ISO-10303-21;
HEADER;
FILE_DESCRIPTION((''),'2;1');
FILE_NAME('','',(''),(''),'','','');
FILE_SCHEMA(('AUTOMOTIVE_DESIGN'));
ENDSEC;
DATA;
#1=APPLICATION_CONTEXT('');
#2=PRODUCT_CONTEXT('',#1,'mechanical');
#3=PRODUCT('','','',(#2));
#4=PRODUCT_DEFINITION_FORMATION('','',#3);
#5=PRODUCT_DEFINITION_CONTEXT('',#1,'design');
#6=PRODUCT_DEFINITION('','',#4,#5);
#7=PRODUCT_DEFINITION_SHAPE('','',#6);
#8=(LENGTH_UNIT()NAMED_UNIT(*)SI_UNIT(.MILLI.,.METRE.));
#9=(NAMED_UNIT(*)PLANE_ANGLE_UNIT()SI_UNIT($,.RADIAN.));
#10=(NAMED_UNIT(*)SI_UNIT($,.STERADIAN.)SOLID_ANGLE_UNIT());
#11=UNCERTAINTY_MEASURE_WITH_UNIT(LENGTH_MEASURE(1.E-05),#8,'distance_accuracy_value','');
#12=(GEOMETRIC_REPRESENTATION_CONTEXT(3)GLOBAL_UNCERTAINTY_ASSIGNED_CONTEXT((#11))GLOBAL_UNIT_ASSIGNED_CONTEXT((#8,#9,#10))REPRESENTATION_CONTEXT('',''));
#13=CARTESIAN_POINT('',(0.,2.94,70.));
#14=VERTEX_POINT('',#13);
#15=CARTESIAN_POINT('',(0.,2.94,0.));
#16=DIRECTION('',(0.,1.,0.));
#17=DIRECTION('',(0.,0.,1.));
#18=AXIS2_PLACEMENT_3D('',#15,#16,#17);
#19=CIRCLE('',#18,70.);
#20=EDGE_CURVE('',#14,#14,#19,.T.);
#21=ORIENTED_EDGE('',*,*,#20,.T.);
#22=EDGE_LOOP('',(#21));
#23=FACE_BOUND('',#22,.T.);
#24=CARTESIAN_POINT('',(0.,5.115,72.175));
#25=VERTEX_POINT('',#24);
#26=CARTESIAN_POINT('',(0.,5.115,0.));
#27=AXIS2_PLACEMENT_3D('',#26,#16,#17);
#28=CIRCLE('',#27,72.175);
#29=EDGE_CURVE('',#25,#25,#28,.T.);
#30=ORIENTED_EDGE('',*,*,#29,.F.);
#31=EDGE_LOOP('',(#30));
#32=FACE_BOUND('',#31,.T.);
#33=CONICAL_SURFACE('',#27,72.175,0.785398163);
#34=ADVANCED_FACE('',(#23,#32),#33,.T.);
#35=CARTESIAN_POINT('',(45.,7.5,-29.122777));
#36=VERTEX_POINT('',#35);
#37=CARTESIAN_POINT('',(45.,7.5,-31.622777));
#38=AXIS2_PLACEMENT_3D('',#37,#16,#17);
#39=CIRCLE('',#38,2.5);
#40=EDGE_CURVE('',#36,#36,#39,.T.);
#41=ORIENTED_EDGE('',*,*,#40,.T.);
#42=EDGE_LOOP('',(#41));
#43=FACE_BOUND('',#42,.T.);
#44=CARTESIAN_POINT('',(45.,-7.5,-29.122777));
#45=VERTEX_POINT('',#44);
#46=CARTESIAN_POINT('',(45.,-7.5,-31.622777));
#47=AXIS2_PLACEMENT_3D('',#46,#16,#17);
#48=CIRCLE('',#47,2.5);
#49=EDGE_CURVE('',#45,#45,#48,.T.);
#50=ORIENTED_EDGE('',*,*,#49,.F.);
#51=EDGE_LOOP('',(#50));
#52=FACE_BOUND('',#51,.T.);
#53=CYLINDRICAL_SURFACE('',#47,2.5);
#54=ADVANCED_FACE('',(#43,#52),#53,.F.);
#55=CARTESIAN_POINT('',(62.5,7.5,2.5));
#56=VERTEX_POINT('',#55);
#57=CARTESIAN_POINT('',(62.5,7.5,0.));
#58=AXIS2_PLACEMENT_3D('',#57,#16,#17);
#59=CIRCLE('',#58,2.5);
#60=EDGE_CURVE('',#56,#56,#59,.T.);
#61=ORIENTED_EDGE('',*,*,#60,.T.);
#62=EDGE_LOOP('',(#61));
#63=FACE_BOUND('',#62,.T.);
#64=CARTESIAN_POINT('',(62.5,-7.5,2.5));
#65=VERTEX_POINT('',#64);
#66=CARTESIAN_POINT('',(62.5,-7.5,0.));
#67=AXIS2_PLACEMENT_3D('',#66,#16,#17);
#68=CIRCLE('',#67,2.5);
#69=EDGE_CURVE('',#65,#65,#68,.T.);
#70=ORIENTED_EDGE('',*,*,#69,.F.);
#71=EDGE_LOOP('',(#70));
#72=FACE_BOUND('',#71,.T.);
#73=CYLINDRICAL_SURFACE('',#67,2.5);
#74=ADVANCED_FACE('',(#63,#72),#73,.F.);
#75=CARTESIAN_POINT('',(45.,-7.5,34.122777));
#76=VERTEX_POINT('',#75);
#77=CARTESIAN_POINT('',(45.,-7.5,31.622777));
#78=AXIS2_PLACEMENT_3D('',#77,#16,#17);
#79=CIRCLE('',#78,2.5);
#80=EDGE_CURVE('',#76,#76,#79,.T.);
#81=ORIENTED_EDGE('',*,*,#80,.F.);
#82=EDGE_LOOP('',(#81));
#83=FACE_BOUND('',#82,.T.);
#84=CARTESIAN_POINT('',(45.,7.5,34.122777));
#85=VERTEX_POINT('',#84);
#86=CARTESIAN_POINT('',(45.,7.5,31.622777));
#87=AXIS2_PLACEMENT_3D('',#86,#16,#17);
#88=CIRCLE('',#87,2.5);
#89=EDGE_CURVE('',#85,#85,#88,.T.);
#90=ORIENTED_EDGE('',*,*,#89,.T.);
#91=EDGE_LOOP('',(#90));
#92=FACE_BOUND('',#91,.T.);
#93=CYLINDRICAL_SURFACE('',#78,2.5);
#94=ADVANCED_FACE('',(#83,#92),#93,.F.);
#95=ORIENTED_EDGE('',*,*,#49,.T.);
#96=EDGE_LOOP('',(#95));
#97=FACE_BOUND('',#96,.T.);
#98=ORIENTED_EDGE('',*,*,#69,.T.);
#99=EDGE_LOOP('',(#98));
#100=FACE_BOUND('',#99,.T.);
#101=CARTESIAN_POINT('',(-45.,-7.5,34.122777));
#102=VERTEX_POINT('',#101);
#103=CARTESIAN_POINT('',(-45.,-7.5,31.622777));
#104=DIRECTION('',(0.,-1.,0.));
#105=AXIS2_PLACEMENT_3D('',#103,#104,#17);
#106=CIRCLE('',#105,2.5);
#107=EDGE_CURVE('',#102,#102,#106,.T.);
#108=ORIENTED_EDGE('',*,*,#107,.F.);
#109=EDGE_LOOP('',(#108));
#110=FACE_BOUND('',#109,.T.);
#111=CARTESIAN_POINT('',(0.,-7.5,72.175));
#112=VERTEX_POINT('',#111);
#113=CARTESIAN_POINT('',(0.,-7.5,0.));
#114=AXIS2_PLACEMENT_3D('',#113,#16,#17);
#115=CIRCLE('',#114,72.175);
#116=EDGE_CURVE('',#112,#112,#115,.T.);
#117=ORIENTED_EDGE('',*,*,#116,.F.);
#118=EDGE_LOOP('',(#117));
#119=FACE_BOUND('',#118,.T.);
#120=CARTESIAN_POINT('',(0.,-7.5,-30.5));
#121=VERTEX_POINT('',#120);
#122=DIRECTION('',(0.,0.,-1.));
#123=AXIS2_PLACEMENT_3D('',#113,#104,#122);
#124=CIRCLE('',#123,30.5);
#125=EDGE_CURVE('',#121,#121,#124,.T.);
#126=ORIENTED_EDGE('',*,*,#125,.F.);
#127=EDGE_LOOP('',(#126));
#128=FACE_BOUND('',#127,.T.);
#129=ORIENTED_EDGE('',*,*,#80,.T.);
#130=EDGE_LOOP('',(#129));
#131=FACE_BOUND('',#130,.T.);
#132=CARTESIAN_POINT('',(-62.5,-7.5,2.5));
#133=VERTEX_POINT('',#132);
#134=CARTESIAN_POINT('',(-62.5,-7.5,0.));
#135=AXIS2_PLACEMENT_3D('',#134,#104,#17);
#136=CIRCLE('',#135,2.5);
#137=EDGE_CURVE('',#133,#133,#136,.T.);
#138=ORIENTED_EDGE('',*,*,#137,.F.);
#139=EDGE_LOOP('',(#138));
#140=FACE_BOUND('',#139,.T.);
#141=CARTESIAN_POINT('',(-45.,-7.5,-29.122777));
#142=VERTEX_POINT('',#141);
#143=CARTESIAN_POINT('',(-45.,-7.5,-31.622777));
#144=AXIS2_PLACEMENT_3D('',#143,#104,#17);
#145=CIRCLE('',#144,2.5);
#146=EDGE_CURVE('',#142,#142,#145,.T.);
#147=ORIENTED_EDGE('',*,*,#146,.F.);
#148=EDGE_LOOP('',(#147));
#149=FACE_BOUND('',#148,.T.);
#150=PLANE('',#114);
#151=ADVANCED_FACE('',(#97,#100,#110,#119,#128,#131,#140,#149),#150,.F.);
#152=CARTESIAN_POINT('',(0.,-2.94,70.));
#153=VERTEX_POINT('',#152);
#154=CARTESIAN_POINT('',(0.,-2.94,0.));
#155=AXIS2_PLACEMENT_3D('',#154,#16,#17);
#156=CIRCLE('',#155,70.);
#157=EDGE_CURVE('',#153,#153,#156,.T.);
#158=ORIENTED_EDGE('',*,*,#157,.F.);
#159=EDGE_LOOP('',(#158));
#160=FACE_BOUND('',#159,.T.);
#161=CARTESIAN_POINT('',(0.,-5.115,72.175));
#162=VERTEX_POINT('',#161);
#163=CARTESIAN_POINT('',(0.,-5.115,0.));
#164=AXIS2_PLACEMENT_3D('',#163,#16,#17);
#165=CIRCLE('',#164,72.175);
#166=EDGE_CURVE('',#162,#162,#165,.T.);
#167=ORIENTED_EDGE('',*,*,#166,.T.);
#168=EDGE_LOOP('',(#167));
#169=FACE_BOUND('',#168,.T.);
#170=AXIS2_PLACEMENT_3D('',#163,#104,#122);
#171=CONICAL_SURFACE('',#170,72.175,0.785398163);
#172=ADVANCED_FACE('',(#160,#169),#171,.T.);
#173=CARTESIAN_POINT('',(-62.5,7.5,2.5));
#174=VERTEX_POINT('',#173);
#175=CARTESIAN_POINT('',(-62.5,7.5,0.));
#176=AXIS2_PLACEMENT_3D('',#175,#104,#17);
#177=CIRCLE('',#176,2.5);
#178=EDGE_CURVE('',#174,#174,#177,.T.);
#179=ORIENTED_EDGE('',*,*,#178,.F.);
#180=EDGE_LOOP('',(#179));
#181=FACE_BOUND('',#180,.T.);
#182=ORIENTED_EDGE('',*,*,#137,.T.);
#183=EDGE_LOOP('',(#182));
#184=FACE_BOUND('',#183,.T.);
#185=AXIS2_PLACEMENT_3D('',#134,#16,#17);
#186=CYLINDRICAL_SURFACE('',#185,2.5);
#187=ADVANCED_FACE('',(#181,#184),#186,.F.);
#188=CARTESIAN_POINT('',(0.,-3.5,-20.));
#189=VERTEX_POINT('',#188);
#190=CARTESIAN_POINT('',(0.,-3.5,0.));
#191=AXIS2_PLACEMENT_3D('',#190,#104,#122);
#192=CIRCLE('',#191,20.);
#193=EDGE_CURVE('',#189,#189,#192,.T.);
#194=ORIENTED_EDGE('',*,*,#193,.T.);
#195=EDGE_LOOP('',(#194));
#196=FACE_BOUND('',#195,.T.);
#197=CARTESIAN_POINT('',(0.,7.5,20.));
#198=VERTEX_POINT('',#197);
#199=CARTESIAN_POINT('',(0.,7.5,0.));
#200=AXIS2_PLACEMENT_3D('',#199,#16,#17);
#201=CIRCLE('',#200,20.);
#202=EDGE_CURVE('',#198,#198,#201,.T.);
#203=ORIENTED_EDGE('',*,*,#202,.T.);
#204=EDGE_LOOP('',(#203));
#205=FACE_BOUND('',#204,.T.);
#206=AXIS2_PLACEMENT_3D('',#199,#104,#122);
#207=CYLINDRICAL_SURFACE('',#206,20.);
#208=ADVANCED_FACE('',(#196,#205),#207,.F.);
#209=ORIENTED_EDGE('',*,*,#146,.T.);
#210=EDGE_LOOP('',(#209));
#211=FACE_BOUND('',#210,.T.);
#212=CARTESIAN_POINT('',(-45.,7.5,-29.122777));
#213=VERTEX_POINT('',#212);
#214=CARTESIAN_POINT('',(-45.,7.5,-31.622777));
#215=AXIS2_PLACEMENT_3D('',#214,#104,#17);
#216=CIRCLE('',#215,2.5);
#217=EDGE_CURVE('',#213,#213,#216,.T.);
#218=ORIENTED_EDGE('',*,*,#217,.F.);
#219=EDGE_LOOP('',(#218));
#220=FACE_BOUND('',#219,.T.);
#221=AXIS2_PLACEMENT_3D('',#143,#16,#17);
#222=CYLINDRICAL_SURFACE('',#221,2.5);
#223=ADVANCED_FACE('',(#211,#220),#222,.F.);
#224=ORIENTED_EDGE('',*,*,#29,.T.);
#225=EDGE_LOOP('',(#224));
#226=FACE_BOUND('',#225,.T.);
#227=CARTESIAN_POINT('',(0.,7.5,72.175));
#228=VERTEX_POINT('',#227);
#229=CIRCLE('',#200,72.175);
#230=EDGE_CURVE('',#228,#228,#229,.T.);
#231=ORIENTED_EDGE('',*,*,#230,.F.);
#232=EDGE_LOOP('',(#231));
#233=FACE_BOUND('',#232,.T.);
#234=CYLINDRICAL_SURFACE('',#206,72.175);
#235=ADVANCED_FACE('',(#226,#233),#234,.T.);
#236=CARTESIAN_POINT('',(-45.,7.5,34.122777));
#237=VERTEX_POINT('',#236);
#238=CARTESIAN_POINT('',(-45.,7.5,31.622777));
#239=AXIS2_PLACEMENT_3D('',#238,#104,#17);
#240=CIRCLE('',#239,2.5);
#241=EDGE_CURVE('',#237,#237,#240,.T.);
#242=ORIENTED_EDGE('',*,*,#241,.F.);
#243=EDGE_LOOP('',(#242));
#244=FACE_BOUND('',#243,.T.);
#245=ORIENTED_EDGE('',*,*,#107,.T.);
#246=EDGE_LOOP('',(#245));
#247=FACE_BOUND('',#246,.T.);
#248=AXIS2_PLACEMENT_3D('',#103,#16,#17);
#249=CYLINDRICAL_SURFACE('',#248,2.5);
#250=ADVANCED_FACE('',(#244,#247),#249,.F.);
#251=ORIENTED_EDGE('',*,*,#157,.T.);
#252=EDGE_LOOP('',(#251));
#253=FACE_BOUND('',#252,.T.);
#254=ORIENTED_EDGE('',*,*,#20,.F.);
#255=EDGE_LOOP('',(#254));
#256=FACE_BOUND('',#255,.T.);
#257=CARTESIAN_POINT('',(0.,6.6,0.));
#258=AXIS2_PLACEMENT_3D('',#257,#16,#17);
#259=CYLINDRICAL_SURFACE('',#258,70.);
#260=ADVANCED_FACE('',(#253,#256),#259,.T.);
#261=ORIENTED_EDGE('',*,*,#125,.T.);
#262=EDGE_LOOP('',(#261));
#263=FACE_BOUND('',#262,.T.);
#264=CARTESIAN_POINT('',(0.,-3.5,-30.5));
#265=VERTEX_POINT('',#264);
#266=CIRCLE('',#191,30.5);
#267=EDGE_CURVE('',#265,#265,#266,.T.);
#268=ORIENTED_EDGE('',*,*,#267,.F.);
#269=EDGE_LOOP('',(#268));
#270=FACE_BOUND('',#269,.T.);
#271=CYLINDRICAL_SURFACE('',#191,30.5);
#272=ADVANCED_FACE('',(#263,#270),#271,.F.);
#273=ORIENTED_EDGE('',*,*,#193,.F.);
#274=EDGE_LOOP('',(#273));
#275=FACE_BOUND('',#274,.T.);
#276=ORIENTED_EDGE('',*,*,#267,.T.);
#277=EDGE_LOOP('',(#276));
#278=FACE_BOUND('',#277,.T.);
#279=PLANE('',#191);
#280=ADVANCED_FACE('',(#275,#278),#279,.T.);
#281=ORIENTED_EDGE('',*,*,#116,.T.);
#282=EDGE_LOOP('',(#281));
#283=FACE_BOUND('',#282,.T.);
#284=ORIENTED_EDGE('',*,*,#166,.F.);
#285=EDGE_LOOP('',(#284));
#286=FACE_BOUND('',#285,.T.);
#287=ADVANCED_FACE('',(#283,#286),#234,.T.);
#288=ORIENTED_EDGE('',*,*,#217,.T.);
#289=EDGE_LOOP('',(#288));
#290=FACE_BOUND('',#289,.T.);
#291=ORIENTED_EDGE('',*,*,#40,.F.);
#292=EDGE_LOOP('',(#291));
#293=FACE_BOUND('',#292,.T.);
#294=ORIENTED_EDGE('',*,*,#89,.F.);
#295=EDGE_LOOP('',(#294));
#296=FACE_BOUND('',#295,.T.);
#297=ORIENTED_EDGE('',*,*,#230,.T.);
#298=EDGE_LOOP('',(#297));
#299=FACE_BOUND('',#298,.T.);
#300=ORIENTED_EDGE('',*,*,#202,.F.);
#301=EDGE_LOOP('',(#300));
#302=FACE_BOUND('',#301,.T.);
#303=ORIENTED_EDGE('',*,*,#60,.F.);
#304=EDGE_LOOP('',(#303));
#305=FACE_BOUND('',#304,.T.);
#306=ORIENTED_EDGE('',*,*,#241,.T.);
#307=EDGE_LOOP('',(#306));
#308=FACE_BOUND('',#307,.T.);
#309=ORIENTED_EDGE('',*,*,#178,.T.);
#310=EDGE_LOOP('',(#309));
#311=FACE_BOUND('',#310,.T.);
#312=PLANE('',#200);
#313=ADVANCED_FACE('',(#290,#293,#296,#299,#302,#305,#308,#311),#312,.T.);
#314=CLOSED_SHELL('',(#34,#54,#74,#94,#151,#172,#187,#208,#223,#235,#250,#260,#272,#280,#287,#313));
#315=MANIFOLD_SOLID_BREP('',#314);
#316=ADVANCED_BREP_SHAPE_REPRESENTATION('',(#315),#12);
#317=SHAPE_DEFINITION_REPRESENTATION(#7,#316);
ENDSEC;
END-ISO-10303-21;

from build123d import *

# Parameters (mm, degrees)
SKETCH1_R           = 72.175
SKETCH1_R_2         = 20
BOSS_EXTRUDE1_DEPTH = 7.5
SKETCH3_R           = 30.5
CUT_EXTRUDE1_DEPTH  = 4
SKETCH4_R           = 2.5
CUT_EXTRUDE2_DEPTH  = 104.167151991


with BuildPart() as part:
    # Sketch1 → Boss-Extrude1 (new, symmetric)
    with BuildSketch(Plane(origin=(0, 0, 0), x_dir=(1, 0, 0), z_dir=(0, 1, 0))):
        with Locations(Location((0, 0, 0), (0, 0, 270))):
            Circle(SKETCH1_R)
        with Locations(Location((0, 0, 0), (0, 0, 270))):
            Circle(SKETCH1_R_2, mode=Mode.SUBTRACT)
    extrude(amount=BOSS_EXTRUDE1_DEPTH, both=True)

    # Sketch2 → Cut-Revolve1 (revolve, cut)
    with BuildSketch(Plane.XY, mode=Mode.PRIVATE) as cut_revolve1_sk:
        Polygon((72.175, -5.115), (72.175, 5.115), (70, 2.94), (70, -2.94), align=None)
    revolve(cut_revolve1_sk.sketch.rotate(Axis((0, 6.6, 0), (0, -1, 0)), 90), axis=Axis((0, 6.6, 0), (0, -1, 0)), mode=Mode.SUBTRACT)

    # Sketch3 → Cut-Extrude1 (cut)
    with BuildSketch(Plane.XZ.offset(7.5)):
        with Locations(Location((0, 0, 0), (0, 0, 270))):
            Circle(SKETCH3_R)
    extrude(amount=-CUT_EXTRUDE1_DEPTH, mode=Mode.SUBTRACT)

    # Sketch4 → Cut-Extrude2 (cut, through all)
    with BuildSketch(Plane(origin=(0, 7.5, 0), x_dir=(1, 0, 0), z_dir=(0, 1, 0))):
        with Locations(Location((62.5, 0, 0), (0, 0, 270))):
            Circle(SKETCH4_R)
        with Locations(Location((45, 31.622776602, 0), (0, 0, 270))):
            Circle(SKETCH4_R)
        with Locations(Location((45, -31.622776602, 0), (0, 0, 270))):
            Circle(SKETCH4_R)
    cut_extrude2 = extrude(amount=-CUT_EXTRUDE2_DEPTH, mode=Mode.SUBTRACT)

    # Mirror1: Cut-Extrude2 across plane
    add(cut_extrude2.mirror(Plane(origin=(0, 0, 0), x_dir=(0, 0, 1), z_dir=(1, 0, 0))), mode=Mode.SUBTRACT)


solid = part.part
